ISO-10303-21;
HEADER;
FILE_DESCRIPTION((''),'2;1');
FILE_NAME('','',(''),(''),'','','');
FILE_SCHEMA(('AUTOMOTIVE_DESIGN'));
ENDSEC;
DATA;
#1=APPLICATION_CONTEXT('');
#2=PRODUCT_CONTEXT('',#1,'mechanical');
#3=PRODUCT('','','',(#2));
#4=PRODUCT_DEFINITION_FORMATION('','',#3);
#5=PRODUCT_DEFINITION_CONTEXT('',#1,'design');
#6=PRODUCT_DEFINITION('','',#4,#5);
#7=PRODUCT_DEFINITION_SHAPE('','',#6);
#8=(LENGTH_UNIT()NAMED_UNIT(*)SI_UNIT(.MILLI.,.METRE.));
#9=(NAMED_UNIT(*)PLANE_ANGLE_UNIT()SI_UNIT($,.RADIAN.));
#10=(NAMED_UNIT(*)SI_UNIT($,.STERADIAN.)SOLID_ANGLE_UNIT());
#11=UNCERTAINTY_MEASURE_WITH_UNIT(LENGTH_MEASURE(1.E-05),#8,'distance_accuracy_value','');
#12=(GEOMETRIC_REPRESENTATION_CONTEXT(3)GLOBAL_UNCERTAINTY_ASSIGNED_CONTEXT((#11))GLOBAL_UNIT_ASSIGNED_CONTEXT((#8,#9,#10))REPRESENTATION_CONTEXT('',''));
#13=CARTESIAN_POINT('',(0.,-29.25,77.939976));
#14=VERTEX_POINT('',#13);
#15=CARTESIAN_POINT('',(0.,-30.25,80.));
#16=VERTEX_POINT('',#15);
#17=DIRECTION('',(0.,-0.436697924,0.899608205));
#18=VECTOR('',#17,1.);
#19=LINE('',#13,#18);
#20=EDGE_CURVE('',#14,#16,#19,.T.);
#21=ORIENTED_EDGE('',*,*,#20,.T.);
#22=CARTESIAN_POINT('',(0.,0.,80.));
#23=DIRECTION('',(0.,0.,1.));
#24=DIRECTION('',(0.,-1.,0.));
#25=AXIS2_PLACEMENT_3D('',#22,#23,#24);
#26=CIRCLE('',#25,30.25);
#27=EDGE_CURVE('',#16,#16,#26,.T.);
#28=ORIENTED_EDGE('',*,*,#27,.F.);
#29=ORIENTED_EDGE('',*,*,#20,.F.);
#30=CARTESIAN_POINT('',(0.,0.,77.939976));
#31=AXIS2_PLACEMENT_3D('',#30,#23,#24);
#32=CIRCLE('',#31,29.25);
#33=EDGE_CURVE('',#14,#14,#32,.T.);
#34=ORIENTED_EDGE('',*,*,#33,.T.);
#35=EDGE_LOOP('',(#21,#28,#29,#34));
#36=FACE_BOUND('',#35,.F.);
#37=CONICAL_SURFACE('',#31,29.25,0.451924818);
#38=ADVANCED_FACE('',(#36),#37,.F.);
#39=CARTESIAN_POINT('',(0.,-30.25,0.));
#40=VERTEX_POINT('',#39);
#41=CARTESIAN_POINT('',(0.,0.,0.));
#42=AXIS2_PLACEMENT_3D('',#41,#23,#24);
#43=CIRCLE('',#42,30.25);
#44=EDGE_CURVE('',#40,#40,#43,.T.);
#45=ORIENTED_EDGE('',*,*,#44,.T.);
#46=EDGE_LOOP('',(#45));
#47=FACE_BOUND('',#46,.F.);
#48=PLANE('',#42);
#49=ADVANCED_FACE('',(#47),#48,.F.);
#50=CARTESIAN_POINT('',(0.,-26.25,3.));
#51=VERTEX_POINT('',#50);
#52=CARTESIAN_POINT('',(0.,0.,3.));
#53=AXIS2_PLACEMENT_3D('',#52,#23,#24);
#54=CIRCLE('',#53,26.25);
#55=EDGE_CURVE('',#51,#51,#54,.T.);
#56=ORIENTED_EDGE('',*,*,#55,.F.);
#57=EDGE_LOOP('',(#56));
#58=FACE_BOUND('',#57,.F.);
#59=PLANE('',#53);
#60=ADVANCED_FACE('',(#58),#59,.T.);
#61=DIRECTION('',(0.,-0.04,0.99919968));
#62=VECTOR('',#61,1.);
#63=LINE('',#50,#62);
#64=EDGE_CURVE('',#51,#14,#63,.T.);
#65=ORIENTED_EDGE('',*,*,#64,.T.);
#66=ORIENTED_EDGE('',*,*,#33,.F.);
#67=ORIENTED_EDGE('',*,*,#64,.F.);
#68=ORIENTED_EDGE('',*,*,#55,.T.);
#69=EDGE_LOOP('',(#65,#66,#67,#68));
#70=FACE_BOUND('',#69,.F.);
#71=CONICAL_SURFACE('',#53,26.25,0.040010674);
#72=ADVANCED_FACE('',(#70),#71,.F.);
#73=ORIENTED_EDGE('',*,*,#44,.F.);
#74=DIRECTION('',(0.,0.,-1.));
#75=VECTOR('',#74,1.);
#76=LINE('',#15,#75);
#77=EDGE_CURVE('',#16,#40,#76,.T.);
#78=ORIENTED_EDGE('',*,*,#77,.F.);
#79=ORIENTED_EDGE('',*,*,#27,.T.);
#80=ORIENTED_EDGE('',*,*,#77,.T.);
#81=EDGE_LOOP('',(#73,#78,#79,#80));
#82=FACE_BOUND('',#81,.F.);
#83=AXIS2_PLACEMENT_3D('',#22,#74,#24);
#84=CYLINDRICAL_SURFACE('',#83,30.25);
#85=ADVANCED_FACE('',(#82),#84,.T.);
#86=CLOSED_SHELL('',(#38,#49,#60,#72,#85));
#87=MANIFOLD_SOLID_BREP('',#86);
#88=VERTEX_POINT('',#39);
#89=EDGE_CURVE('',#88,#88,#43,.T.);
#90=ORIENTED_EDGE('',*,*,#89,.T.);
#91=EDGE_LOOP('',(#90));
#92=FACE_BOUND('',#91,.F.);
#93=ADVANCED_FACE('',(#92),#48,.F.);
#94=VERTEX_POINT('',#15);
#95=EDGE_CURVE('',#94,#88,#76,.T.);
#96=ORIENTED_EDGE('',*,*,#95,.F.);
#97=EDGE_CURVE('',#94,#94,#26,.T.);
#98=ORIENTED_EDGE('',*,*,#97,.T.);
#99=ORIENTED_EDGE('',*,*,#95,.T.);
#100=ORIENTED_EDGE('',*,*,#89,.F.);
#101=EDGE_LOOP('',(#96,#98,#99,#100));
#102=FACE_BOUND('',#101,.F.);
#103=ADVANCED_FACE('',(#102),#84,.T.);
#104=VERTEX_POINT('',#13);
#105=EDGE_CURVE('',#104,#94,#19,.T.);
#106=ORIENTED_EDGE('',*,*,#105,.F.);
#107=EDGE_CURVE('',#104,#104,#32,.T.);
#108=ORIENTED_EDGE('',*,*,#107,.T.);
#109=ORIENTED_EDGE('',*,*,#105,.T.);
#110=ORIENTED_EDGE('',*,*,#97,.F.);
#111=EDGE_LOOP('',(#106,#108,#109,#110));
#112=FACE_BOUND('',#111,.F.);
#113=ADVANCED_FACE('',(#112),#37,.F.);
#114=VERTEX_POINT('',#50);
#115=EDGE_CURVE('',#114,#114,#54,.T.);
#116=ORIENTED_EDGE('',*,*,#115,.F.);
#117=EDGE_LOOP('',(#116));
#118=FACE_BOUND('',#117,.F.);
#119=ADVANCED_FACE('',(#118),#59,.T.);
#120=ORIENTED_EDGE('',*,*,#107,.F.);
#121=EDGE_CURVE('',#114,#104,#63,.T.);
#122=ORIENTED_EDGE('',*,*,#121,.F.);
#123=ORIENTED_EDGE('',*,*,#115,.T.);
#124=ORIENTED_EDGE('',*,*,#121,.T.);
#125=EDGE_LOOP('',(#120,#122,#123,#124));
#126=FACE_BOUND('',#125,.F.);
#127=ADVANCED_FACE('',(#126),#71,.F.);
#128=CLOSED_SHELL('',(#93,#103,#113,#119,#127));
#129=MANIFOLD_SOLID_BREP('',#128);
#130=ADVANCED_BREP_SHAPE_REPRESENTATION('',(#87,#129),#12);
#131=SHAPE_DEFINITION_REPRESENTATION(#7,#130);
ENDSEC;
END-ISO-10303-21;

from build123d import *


with BuildPart() as f1:
    # F0 (on Right) → F1 (revolve)
    with BuildSketch(Plane.YZ):
        Polygon((-29.25, 77.939976), (-30.25, 80), (-30.25, 0), (0, 0), (0, 3), (-26.25, 3), align=None)
    revolve(axis=Axis((0, 0, 1.5), (0, 0, 1)))


with BuildPart() as f2_1:
    # F2: copy of F1
    add(f1.part.moved(Location((0, -62, 0))))


with BuildPart() as f4:
    # F0 (on Right) → F4 (revolve)
    with BuildSketch(Plane.YZ):
        Polygon((-29.25, 77.939976), (-30.25, 80), (-30.25, 0), (0, 0), (0, 3), (-26.25, 3), align=None)
    revolve(axis=Axis((0, 0, 1.5), (0, 0, 1)))


solid = Compound([f1.part, f4.part])
